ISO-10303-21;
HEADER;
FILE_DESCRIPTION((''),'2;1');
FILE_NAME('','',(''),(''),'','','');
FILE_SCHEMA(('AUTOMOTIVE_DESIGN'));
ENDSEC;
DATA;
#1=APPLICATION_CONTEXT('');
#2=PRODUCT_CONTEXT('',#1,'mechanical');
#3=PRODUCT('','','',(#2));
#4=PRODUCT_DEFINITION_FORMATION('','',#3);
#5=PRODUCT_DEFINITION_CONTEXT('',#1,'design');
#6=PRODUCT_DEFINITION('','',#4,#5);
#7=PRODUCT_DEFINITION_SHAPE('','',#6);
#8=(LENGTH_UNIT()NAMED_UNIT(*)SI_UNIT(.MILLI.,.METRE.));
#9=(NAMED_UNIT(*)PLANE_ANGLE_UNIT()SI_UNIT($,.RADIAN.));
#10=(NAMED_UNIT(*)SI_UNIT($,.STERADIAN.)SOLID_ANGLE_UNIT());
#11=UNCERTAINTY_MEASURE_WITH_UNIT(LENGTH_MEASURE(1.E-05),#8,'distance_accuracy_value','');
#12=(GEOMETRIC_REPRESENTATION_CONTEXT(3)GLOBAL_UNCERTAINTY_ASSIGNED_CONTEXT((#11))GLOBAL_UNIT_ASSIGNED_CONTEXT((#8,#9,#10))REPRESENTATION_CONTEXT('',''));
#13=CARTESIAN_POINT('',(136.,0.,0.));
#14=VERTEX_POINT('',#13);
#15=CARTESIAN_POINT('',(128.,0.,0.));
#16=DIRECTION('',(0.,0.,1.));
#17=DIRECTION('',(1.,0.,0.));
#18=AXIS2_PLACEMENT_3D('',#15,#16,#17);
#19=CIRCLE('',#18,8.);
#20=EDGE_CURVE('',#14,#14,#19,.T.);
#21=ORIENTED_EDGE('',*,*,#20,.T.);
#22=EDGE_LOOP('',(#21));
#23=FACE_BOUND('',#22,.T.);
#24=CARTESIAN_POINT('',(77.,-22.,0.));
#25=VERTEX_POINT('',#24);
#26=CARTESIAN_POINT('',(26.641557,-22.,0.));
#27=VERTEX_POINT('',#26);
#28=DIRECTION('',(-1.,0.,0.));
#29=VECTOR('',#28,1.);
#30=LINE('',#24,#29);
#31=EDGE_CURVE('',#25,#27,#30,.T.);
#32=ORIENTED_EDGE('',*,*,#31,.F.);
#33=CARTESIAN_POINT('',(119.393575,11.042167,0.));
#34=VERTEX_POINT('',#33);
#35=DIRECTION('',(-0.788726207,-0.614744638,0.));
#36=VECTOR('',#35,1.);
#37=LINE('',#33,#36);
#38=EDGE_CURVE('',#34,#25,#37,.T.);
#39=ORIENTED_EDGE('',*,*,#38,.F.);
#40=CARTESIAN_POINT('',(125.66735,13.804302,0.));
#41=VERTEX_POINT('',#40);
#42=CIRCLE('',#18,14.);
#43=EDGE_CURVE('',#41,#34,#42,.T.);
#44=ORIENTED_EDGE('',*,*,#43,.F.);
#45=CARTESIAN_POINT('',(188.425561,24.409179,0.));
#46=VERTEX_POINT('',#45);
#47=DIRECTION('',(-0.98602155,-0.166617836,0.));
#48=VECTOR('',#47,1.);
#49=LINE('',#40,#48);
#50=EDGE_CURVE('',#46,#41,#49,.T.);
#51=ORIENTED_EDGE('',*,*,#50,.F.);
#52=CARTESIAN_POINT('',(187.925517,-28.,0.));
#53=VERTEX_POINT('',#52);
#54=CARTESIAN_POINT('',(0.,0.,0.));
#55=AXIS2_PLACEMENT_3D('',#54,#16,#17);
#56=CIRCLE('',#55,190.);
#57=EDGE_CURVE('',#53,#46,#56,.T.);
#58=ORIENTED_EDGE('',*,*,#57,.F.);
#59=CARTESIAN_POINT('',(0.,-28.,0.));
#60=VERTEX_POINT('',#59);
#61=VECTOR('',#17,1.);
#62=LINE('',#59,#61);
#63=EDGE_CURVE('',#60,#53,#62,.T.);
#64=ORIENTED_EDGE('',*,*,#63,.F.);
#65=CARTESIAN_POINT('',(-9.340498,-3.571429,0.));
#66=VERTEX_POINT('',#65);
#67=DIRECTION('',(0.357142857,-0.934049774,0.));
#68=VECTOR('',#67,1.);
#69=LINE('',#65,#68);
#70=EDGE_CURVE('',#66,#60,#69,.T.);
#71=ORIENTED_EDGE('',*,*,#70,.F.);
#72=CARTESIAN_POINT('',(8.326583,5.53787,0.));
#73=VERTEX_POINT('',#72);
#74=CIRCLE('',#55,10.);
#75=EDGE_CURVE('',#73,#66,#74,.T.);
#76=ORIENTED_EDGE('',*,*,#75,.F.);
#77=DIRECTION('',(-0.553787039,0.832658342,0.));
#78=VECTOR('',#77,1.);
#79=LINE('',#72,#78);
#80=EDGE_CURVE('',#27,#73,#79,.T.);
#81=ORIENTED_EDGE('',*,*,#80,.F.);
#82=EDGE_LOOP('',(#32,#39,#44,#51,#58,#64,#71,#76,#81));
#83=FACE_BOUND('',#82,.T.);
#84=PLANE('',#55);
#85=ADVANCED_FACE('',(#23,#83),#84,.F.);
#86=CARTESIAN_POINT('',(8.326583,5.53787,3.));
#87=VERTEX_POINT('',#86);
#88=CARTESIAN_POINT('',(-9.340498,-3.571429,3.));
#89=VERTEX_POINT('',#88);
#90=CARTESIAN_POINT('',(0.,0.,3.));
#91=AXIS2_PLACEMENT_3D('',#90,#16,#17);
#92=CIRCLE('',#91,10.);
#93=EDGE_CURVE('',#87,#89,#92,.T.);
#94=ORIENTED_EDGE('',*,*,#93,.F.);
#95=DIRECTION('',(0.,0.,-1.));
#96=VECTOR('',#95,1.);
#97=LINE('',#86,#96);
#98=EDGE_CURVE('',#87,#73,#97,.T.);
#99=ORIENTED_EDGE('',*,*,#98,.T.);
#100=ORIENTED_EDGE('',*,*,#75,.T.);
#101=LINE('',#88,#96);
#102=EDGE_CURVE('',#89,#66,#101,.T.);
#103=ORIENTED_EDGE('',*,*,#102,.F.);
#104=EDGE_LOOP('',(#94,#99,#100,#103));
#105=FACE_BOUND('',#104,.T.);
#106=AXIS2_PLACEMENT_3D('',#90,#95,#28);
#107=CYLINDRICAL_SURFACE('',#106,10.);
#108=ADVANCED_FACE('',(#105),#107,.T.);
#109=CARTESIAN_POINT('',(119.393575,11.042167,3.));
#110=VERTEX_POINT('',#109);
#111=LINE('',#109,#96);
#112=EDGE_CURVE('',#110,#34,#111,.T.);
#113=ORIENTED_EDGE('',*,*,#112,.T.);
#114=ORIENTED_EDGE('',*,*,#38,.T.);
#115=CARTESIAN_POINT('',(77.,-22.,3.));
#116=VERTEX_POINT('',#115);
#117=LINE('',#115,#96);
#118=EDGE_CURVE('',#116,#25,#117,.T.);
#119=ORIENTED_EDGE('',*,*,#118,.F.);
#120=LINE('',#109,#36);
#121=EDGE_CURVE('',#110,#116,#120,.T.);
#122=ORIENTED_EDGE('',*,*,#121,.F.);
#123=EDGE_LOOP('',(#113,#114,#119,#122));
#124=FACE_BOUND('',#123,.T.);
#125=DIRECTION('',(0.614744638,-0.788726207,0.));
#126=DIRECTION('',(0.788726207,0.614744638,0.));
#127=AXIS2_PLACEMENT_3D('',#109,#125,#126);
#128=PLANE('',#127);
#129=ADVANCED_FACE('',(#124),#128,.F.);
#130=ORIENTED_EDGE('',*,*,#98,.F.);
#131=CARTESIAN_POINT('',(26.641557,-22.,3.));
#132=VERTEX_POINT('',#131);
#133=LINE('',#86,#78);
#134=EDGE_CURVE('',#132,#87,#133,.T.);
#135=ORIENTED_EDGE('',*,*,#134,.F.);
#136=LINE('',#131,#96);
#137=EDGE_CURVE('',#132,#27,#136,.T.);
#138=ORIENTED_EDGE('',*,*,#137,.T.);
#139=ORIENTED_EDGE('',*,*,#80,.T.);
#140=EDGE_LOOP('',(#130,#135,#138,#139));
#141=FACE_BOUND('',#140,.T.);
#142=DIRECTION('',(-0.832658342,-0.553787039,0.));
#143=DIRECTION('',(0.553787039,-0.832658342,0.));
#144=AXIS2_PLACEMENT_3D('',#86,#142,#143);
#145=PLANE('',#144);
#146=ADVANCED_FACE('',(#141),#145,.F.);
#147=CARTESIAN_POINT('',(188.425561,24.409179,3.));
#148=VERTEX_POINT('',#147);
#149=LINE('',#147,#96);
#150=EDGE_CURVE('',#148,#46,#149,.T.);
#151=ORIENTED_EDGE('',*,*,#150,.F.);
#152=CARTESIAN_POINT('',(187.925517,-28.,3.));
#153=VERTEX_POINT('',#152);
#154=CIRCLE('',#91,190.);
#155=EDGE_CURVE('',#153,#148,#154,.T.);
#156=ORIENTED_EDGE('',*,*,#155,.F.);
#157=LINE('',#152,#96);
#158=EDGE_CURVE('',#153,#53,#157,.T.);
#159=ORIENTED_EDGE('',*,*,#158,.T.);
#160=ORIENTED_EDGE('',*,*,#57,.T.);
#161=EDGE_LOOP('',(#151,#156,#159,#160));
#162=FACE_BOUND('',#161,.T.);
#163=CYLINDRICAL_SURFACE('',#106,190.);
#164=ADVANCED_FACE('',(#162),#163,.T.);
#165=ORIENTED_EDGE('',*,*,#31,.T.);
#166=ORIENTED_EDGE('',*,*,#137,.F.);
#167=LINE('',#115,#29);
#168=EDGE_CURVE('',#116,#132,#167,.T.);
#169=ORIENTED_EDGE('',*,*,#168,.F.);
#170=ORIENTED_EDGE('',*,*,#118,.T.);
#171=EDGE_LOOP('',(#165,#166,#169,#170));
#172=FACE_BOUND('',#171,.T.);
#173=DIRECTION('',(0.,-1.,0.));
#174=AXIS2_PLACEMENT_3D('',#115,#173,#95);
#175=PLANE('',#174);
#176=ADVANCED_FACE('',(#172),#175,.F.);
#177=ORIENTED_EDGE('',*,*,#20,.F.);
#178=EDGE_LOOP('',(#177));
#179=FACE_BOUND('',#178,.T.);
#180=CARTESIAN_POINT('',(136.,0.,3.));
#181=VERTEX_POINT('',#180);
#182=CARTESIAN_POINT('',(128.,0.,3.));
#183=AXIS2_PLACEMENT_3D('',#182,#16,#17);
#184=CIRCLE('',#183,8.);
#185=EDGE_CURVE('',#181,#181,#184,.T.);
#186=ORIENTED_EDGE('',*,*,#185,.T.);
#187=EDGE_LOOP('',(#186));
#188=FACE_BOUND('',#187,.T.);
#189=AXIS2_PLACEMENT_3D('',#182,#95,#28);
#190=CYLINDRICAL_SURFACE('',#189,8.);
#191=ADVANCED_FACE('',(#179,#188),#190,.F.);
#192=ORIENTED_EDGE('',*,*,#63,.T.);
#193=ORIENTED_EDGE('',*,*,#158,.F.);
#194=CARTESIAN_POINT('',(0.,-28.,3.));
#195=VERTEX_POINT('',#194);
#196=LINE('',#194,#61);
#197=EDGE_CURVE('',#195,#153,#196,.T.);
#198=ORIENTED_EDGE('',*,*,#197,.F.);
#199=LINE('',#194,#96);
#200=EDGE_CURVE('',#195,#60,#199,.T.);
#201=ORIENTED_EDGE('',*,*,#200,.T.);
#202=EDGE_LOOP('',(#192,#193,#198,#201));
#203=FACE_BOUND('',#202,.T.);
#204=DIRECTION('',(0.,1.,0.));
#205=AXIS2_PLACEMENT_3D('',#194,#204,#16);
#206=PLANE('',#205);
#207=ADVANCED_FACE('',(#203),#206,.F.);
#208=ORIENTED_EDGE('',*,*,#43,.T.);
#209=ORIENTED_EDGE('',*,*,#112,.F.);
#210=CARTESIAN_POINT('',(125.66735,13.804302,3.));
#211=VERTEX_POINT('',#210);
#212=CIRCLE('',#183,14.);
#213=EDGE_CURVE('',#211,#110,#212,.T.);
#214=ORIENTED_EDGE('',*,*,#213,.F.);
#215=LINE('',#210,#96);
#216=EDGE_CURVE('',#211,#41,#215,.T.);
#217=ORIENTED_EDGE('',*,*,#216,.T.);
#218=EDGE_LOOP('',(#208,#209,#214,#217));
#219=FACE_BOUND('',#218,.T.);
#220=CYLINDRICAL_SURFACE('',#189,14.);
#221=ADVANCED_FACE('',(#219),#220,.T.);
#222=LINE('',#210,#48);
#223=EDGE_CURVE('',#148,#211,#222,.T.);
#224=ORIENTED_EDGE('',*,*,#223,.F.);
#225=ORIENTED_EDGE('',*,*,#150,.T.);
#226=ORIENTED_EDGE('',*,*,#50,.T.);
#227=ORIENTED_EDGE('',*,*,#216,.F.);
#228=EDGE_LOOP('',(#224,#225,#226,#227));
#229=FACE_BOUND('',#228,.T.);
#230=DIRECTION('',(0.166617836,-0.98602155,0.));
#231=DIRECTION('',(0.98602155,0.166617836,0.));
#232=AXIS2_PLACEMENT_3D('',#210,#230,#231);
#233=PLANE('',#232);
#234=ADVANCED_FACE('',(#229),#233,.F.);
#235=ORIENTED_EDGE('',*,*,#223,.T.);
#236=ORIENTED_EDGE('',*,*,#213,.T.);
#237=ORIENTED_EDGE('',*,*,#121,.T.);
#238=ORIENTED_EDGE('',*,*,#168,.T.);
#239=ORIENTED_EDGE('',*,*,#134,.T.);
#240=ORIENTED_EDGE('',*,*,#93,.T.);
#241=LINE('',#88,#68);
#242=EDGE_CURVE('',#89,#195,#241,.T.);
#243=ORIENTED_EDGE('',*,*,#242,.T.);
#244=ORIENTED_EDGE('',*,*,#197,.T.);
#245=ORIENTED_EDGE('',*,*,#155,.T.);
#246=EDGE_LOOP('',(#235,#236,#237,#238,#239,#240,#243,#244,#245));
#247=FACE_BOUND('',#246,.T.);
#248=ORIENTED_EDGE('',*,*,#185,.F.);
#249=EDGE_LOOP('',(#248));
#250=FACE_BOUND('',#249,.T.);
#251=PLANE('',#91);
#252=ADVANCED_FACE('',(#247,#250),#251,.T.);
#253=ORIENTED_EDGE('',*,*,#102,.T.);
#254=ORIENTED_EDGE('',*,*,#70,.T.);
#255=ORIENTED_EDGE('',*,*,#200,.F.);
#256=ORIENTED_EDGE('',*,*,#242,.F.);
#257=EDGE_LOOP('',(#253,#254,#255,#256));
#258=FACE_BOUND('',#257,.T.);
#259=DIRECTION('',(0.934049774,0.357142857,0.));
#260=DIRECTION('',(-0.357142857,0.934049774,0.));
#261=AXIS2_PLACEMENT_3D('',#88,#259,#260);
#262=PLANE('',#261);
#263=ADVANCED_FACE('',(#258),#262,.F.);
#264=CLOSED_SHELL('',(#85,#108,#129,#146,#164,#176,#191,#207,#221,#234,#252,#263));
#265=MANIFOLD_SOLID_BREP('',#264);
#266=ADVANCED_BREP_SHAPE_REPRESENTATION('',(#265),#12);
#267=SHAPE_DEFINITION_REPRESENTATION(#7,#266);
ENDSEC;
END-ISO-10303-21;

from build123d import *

# Parameters (mm, degrees)
SKETCH_1_R      = 8
EXTRUDE_1_DEPTH = 3


with BuildPart() as part:
    # Эскиз1 → Бобышка-Вытянуть1 (new body)
    with BuildSketch(Plane.XY):
        with BuildLine():
            Line((-9.340497736, -3.571428571), (0, -28))
            Line((0, -28), (187.92551716, -28))
            ThreePointArc((187.92551716, -28), (189.991352408, -1.812735596), (188.425560886, 24.409178696))
            Line((188.425560886, 24.409178696), (125.667350293, 13.804301697))
            ThreePointArc((125.667350293, 13.804301697), (122.358795725, 12.813150055), (119.393575063, 11.042166898))
            Line((119.393575063, 11.042166898), (77, -22))
            Line((77, -22), (26.641557218, -22))
            Line((26.641557218, -22), (8.326583423, 5.537870395))
            ThreePointArc((8.326583423, 5.537870395), (-4.582776175, 8.888091051), (-9.340497736, -3.571428571))
        make_face()
        with Locations((128, 0)):
            Circle(SKETCH_1_R, mode=Mode.SUBTRACT)
    extrude(amount=EXTRUDE_1_DEPTH)


solid = part.part
